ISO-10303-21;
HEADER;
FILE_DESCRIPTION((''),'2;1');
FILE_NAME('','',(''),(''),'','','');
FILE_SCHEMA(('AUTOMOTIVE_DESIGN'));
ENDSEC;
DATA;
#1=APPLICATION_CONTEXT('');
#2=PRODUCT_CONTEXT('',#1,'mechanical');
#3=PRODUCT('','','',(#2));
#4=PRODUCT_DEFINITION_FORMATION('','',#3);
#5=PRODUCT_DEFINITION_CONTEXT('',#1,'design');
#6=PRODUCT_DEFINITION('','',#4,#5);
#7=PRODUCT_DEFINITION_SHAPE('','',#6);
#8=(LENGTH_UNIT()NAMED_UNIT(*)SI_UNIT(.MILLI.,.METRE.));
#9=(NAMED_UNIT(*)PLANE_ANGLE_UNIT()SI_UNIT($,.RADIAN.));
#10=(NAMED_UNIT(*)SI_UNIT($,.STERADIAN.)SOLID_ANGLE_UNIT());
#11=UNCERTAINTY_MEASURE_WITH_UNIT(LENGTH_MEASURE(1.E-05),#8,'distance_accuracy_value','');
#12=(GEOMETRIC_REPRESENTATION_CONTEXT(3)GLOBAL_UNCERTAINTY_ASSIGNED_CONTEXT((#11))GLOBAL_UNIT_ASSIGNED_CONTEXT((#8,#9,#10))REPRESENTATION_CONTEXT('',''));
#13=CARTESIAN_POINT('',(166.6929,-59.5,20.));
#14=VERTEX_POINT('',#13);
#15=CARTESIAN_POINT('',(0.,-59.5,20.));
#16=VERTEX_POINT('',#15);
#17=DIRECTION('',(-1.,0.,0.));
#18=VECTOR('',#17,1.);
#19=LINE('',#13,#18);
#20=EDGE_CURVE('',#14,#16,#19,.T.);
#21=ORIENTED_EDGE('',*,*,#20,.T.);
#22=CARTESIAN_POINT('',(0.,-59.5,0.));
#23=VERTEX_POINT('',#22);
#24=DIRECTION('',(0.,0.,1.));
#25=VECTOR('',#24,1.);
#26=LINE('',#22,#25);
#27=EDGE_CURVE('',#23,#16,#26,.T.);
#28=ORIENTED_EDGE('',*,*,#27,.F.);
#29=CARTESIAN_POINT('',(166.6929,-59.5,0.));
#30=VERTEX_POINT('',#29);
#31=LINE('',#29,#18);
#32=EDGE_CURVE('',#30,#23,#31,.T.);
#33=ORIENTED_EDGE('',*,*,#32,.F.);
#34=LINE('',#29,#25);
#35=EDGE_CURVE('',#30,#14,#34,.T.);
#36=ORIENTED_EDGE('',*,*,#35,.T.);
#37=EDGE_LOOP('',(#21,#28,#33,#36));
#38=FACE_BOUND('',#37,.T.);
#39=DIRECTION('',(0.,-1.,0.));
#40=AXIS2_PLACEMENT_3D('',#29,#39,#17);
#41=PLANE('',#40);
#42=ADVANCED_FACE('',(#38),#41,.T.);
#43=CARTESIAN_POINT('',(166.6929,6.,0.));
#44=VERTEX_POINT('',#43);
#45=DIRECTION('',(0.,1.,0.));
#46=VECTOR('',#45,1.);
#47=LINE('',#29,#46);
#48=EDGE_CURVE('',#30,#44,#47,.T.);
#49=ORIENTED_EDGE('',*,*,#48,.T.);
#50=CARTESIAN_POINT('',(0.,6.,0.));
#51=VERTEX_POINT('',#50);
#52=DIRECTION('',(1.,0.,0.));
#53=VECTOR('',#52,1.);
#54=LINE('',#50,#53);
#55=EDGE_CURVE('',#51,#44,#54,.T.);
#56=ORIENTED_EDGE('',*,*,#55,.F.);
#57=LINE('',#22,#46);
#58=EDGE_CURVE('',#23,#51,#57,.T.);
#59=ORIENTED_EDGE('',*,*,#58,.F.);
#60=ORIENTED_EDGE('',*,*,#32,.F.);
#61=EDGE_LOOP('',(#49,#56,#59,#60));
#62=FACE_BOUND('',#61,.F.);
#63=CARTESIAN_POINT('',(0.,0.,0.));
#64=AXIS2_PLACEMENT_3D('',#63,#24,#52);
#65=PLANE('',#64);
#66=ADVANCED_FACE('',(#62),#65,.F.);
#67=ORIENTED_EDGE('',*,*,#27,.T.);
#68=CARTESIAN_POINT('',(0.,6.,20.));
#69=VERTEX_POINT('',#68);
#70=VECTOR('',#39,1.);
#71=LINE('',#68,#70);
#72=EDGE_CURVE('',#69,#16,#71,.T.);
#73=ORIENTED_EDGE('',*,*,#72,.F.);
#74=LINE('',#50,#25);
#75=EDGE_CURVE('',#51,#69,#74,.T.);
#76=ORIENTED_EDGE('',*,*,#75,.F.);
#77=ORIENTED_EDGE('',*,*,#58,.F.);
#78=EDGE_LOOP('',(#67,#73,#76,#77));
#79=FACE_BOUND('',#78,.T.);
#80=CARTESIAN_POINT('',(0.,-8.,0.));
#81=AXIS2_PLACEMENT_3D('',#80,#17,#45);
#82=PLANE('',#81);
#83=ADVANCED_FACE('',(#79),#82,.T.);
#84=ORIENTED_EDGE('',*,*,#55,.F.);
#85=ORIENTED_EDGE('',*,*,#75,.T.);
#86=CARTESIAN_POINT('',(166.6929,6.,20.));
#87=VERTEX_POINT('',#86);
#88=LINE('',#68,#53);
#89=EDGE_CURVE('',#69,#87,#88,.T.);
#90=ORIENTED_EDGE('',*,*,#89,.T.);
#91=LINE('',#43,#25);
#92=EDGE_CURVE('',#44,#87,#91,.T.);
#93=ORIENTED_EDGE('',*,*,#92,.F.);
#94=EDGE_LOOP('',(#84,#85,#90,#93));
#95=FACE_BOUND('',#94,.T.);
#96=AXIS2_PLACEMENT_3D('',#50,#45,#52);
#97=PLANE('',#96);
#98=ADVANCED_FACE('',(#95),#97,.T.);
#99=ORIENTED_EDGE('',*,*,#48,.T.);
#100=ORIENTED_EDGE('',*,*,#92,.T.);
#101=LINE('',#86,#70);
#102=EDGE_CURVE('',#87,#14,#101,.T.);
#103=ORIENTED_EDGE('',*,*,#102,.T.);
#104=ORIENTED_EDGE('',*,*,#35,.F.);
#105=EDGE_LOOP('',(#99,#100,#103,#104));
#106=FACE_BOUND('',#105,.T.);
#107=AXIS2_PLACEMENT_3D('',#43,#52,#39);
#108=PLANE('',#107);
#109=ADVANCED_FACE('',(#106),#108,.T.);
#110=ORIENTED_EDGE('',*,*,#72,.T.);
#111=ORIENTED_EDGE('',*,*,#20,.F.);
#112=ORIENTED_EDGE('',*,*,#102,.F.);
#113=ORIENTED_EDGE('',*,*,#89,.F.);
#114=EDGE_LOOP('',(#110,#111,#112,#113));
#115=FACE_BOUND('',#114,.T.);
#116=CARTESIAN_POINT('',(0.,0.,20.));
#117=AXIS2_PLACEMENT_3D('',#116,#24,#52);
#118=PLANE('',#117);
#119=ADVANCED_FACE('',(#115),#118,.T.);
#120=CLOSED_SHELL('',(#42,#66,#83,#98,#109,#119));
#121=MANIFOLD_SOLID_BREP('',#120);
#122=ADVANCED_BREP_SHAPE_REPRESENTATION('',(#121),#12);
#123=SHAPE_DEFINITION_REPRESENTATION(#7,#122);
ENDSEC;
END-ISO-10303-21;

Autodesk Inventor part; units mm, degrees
ref_plane "YZ Plane" through (0, 0, 0) normal (1, 0, 0) x (0, 1, 0)
ref_plane "XZ Plane" through (0, 0, 0) normal (0, 1, 0) x (-1, 0, 0)
ref_plane "XY Plane" through (0, 0, 0) normal (0, 0, 1) x (1, 0, 0)
sketch "Sketch1" plane through (0, 0, 0) normal (0, 0, 1) x (1, 0, 0)
  line L0 (166.6929, 6) -> (166.6929, -8) projected
  line L1 (0, 6) -> (166.6929, 6) projected
  line L2 (0, -8) -> (0, 6) projected
  line L3 (166.6929, -8) -> (0, -8) projected
  line L4 (0, -59.5) -> (0, -45.5) projected
  line L5 (166.6929, -59.5) -> (0, -59.5) projected
  line L6 (166.6929, -45.5) -> (166.6929, -59.5) projected
  line L7 (0, -45.5) -> (166.6929, -45.5) projected
  line L8 (0, 6) -> (166.6929, 6)
  line L9 (166.6929, 6) -> (166.6929, -59.5)
  line L10 (166.6929, -59.5) -> (0, -59.5)
  line L11 (0, -59.5) -> (0, 6)
  point P0 (0, 0)
extrude "Extrusion1" add sketch "Sketch1" along normal blind 20
